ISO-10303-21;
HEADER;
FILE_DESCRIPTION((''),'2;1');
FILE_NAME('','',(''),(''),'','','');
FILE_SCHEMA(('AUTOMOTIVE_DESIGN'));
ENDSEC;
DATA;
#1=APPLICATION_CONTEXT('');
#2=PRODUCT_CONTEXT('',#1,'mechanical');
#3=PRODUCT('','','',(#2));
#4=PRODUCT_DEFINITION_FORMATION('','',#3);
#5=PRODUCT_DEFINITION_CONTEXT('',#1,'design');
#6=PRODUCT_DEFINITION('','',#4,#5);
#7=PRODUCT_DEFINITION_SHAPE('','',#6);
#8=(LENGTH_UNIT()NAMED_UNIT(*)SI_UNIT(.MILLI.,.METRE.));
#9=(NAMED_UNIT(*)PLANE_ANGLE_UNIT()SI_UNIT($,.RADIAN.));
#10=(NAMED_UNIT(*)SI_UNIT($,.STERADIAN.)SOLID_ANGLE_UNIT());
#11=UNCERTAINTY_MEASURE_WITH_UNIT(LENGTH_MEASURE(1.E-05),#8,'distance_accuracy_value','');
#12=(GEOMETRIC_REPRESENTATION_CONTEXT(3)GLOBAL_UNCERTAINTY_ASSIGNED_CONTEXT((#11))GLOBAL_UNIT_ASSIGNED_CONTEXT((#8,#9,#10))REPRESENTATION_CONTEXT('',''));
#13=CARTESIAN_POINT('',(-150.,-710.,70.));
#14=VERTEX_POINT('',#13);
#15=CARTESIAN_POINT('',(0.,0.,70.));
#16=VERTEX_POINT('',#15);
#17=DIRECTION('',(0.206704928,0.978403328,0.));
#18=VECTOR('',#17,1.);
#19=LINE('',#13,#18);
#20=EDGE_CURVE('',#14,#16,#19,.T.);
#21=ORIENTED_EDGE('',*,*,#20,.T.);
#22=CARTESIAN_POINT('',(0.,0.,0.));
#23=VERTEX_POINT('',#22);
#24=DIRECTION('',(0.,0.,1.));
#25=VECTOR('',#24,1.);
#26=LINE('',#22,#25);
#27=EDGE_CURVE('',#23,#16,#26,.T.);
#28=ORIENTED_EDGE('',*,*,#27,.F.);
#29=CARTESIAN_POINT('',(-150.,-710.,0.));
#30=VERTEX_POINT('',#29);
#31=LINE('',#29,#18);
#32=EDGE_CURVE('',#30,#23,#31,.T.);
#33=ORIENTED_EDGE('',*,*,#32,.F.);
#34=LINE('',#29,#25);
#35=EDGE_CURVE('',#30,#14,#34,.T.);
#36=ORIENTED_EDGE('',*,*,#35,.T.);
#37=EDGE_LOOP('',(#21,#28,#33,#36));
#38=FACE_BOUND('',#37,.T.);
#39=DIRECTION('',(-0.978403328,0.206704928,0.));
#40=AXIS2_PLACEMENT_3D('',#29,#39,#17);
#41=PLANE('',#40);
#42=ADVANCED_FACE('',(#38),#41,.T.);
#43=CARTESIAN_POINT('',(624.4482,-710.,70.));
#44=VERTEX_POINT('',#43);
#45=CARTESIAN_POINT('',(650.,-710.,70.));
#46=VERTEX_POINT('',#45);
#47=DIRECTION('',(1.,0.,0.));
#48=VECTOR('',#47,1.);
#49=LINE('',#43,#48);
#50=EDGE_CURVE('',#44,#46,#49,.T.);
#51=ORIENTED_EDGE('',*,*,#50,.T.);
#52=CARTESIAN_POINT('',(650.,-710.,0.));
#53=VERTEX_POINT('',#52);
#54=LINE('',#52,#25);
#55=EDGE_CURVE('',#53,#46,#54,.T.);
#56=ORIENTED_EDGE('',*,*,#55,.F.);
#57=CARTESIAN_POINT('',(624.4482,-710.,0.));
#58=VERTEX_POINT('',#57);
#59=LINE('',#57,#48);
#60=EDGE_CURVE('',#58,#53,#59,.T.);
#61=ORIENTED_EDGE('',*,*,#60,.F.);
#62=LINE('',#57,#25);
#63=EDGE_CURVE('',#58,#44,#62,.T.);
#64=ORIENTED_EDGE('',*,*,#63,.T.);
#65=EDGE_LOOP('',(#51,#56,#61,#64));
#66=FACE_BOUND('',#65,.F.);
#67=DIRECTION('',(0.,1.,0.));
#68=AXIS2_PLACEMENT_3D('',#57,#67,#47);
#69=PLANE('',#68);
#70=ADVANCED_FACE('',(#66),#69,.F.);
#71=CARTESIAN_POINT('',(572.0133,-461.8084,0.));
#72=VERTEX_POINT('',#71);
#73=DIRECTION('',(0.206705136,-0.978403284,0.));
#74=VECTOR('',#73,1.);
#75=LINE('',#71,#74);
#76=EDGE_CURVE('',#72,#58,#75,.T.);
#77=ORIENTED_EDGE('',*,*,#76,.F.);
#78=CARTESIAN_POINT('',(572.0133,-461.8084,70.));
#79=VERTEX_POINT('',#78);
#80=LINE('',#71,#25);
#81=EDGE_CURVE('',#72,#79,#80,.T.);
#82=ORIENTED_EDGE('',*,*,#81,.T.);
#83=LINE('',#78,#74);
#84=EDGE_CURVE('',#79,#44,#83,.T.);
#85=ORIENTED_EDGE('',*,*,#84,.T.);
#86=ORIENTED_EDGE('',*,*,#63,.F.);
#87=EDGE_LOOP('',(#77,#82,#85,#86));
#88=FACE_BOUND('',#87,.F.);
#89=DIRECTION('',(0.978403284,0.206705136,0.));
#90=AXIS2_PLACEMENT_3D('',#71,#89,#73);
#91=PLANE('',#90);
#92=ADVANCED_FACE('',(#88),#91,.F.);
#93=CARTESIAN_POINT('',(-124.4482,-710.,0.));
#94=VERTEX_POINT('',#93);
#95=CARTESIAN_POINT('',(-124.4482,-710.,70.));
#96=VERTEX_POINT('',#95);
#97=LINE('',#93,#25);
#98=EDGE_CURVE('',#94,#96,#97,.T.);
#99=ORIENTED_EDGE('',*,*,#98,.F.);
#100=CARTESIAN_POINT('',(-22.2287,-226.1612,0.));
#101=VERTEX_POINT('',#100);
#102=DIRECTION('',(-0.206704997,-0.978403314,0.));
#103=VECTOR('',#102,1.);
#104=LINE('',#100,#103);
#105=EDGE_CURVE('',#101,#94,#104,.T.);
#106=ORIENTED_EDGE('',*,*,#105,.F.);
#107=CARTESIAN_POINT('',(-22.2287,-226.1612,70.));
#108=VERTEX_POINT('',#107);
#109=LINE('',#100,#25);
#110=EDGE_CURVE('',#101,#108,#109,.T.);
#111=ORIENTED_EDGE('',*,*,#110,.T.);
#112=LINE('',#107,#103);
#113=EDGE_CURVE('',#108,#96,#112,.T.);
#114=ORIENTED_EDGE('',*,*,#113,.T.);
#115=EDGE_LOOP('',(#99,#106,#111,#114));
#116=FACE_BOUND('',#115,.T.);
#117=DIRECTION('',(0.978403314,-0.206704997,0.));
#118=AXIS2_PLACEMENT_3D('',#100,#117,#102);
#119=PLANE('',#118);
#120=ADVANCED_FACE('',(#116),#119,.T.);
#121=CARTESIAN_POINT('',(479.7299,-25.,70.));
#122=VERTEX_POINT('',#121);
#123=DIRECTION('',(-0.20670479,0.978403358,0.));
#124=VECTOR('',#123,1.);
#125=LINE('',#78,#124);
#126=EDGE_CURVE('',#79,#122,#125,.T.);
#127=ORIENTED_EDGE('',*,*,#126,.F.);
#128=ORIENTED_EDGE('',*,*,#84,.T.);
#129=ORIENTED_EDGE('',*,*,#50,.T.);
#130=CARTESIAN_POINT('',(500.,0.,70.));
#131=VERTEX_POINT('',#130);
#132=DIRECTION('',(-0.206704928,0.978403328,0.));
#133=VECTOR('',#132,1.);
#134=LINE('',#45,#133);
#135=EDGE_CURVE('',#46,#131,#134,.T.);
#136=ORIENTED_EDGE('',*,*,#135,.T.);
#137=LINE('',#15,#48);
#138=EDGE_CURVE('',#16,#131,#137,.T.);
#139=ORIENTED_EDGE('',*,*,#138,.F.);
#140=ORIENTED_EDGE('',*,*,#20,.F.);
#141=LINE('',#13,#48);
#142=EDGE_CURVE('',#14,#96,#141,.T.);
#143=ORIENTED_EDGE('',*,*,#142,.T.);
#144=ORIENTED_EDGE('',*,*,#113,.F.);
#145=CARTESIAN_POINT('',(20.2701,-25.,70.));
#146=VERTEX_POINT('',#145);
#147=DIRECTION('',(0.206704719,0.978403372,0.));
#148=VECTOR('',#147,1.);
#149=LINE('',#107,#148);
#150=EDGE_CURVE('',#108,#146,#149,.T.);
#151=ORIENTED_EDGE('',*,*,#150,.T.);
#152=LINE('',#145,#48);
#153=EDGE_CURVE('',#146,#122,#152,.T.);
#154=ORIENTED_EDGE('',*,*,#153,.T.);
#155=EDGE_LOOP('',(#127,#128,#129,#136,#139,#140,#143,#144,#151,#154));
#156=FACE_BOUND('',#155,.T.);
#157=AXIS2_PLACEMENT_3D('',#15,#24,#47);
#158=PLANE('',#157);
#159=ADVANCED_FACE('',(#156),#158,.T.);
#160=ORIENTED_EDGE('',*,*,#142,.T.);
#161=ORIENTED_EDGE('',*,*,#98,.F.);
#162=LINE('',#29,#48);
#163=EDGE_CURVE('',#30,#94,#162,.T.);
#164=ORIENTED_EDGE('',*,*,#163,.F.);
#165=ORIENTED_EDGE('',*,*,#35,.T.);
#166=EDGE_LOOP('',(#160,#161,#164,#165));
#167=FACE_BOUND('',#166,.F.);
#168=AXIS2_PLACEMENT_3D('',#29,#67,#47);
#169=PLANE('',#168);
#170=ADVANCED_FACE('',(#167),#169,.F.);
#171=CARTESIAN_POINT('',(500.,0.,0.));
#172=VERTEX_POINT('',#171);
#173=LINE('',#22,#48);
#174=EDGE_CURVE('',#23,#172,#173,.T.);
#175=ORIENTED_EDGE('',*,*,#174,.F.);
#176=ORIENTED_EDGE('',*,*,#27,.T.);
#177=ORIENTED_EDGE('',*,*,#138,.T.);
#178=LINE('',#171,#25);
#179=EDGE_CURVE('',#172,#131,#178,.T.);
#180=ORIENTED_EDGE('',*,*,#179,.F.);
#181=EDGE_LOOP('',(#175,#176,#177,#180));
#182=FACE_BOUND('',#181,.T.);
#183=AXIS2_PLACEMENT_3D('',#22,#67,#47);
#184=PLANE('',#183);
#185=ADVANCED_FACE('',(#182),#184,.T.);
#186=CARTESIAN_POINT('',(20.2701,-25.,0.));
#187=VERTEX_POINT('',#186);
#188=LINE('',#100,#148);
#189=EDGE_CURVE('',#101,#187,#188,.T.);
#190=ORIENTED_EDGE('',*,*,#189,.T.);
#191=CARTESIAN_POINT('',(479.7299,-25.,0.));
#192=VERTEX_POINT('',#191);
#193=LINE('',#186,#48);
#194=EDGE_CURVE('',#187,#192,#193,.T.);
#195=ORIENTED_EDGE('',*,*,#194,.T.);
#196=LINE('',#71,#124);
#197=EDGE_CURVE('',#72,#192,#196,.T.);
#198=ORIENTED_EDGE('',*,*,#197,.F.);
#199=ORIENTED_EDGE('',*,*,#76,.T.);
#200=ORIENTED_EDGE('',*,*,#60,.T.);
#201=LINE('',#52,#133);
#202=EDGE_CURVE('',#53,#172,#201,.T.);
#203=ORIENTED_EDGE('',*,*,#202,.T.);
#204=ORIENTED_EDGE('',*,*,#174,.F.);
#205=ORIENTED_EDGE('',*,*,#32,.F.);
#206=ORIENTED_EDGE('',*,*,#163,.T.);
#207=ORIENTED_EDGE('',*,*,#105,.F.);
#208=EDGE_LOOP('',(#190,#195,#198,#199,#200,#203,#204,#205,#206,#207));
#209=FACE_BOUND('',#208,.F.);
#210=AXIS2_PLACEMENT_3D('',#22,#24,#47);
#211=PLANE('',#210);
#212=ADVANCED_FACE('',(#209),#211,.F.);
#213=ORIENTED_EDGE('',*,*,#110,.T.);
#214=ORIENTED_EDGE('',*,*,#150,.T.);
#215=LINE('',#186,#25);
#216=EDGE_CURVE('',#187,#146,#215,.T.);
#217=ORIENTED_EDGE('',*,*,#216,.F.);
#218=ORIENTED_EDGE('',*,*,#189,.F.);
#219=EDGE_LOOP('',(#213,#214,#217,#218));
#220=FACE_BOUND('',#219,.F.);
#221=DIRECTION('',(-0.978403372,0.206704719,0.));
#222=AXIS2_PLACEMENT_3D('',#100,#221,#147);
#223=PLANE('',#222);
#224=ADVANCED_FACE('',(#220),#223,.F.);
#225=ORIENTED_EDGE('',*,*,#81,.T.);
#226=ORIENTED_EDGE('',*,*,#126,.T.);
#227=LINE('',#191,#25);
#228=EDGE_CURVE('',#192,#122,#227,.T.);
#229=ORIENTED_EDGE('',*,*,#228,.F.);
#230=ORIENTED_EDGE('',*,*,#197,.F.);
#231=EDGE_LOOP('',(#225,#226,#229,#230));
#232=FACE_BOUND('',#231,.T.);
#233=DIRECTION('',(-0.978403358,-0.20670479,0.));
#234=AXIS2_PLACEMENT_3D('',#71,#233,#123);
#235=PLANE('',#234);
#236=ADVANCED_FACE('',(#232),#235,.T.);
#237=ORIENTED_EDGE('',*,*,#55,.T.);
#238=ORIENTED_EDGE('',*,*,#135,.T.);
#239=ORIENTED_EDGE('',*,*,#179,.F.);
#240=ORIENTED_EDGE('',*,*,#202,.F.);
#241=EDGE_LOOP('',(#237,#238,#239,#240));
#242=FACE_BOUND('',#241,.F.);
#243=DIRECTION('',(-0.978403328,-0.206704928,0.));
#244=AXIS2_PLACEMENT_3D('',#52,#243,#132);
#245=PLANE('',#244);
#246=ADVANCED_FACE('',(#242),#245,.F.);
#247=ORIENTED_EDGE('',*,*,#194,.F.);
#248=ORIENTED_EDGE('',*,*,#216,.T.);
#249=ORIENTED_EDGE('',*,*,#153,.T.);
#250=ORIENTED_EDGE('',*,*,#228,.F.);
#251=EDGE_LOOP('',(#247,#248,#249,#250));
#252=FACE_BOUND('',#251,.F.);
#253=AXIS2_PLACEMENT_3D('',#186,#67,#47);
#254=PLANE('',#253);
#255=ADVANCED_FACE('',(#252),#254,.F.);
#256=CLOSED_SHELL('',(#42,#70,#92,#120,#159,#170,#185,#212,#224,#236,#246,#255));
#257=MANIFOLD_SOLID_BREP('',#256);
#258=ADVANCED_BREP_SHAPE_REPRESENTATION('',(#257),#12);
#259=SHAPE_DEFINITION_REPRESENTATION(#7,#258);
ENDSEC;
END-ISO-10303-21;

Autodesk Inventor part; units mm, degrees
ref_plane "YZ Plane" through (0, 0, 0) normal (1, 0, 0) x (0, 1, 0)
ref_plane "XZ Plane" through (0, 0, 0) normal (0, 1, 0) x (-1, 0, 0)
ref_plane "XY Plane" through (0, 0, 0) normal (0, 0, 1) x (1, 0, 0)
sketch "Sketch1" plane through (0, 0, 0) normal (1, 0, 0) x (0, 1, 0)
  point P0 (0, 0)
sketch "Sketch2" plane through (0, 0, 0) normal (0, 0, 1) x (1, 0, 0)
  line L0 (0, 0) -> (500, 0)
  line L1 (650, -710) -> (500, 0)
  line L2 (-150, -710) -> (0, 0)
  line L3 (-22.2287, -226.1612) -> (20.2701, -25)
  line L4 (-22.2287, -226.1612) -> (-124.4482, -710)
  line L5 (572.0133, -461.8084) -> (479.7299, -25)
  line L6 (572.0133, -461.8084) -> (624.4482, -710)
  line L7 (20.2701, -25) -> (479.7299, -25)
  line L8 (-150, -710) -> (-124.4482, -710)
  line L9 (624.4482, -710) -> (650, -710)
  dimension "d0" = 500
sketch "Sketch3" plane through (0, 0, 0) normal (0, 0, 1) x (1, 0, 0)
  point P0 (0, 0)
extrude "Extrusion1" add sketch "Sketch2" along normal blind 70
properties part number "leg" material "Steel, Galvanized"
